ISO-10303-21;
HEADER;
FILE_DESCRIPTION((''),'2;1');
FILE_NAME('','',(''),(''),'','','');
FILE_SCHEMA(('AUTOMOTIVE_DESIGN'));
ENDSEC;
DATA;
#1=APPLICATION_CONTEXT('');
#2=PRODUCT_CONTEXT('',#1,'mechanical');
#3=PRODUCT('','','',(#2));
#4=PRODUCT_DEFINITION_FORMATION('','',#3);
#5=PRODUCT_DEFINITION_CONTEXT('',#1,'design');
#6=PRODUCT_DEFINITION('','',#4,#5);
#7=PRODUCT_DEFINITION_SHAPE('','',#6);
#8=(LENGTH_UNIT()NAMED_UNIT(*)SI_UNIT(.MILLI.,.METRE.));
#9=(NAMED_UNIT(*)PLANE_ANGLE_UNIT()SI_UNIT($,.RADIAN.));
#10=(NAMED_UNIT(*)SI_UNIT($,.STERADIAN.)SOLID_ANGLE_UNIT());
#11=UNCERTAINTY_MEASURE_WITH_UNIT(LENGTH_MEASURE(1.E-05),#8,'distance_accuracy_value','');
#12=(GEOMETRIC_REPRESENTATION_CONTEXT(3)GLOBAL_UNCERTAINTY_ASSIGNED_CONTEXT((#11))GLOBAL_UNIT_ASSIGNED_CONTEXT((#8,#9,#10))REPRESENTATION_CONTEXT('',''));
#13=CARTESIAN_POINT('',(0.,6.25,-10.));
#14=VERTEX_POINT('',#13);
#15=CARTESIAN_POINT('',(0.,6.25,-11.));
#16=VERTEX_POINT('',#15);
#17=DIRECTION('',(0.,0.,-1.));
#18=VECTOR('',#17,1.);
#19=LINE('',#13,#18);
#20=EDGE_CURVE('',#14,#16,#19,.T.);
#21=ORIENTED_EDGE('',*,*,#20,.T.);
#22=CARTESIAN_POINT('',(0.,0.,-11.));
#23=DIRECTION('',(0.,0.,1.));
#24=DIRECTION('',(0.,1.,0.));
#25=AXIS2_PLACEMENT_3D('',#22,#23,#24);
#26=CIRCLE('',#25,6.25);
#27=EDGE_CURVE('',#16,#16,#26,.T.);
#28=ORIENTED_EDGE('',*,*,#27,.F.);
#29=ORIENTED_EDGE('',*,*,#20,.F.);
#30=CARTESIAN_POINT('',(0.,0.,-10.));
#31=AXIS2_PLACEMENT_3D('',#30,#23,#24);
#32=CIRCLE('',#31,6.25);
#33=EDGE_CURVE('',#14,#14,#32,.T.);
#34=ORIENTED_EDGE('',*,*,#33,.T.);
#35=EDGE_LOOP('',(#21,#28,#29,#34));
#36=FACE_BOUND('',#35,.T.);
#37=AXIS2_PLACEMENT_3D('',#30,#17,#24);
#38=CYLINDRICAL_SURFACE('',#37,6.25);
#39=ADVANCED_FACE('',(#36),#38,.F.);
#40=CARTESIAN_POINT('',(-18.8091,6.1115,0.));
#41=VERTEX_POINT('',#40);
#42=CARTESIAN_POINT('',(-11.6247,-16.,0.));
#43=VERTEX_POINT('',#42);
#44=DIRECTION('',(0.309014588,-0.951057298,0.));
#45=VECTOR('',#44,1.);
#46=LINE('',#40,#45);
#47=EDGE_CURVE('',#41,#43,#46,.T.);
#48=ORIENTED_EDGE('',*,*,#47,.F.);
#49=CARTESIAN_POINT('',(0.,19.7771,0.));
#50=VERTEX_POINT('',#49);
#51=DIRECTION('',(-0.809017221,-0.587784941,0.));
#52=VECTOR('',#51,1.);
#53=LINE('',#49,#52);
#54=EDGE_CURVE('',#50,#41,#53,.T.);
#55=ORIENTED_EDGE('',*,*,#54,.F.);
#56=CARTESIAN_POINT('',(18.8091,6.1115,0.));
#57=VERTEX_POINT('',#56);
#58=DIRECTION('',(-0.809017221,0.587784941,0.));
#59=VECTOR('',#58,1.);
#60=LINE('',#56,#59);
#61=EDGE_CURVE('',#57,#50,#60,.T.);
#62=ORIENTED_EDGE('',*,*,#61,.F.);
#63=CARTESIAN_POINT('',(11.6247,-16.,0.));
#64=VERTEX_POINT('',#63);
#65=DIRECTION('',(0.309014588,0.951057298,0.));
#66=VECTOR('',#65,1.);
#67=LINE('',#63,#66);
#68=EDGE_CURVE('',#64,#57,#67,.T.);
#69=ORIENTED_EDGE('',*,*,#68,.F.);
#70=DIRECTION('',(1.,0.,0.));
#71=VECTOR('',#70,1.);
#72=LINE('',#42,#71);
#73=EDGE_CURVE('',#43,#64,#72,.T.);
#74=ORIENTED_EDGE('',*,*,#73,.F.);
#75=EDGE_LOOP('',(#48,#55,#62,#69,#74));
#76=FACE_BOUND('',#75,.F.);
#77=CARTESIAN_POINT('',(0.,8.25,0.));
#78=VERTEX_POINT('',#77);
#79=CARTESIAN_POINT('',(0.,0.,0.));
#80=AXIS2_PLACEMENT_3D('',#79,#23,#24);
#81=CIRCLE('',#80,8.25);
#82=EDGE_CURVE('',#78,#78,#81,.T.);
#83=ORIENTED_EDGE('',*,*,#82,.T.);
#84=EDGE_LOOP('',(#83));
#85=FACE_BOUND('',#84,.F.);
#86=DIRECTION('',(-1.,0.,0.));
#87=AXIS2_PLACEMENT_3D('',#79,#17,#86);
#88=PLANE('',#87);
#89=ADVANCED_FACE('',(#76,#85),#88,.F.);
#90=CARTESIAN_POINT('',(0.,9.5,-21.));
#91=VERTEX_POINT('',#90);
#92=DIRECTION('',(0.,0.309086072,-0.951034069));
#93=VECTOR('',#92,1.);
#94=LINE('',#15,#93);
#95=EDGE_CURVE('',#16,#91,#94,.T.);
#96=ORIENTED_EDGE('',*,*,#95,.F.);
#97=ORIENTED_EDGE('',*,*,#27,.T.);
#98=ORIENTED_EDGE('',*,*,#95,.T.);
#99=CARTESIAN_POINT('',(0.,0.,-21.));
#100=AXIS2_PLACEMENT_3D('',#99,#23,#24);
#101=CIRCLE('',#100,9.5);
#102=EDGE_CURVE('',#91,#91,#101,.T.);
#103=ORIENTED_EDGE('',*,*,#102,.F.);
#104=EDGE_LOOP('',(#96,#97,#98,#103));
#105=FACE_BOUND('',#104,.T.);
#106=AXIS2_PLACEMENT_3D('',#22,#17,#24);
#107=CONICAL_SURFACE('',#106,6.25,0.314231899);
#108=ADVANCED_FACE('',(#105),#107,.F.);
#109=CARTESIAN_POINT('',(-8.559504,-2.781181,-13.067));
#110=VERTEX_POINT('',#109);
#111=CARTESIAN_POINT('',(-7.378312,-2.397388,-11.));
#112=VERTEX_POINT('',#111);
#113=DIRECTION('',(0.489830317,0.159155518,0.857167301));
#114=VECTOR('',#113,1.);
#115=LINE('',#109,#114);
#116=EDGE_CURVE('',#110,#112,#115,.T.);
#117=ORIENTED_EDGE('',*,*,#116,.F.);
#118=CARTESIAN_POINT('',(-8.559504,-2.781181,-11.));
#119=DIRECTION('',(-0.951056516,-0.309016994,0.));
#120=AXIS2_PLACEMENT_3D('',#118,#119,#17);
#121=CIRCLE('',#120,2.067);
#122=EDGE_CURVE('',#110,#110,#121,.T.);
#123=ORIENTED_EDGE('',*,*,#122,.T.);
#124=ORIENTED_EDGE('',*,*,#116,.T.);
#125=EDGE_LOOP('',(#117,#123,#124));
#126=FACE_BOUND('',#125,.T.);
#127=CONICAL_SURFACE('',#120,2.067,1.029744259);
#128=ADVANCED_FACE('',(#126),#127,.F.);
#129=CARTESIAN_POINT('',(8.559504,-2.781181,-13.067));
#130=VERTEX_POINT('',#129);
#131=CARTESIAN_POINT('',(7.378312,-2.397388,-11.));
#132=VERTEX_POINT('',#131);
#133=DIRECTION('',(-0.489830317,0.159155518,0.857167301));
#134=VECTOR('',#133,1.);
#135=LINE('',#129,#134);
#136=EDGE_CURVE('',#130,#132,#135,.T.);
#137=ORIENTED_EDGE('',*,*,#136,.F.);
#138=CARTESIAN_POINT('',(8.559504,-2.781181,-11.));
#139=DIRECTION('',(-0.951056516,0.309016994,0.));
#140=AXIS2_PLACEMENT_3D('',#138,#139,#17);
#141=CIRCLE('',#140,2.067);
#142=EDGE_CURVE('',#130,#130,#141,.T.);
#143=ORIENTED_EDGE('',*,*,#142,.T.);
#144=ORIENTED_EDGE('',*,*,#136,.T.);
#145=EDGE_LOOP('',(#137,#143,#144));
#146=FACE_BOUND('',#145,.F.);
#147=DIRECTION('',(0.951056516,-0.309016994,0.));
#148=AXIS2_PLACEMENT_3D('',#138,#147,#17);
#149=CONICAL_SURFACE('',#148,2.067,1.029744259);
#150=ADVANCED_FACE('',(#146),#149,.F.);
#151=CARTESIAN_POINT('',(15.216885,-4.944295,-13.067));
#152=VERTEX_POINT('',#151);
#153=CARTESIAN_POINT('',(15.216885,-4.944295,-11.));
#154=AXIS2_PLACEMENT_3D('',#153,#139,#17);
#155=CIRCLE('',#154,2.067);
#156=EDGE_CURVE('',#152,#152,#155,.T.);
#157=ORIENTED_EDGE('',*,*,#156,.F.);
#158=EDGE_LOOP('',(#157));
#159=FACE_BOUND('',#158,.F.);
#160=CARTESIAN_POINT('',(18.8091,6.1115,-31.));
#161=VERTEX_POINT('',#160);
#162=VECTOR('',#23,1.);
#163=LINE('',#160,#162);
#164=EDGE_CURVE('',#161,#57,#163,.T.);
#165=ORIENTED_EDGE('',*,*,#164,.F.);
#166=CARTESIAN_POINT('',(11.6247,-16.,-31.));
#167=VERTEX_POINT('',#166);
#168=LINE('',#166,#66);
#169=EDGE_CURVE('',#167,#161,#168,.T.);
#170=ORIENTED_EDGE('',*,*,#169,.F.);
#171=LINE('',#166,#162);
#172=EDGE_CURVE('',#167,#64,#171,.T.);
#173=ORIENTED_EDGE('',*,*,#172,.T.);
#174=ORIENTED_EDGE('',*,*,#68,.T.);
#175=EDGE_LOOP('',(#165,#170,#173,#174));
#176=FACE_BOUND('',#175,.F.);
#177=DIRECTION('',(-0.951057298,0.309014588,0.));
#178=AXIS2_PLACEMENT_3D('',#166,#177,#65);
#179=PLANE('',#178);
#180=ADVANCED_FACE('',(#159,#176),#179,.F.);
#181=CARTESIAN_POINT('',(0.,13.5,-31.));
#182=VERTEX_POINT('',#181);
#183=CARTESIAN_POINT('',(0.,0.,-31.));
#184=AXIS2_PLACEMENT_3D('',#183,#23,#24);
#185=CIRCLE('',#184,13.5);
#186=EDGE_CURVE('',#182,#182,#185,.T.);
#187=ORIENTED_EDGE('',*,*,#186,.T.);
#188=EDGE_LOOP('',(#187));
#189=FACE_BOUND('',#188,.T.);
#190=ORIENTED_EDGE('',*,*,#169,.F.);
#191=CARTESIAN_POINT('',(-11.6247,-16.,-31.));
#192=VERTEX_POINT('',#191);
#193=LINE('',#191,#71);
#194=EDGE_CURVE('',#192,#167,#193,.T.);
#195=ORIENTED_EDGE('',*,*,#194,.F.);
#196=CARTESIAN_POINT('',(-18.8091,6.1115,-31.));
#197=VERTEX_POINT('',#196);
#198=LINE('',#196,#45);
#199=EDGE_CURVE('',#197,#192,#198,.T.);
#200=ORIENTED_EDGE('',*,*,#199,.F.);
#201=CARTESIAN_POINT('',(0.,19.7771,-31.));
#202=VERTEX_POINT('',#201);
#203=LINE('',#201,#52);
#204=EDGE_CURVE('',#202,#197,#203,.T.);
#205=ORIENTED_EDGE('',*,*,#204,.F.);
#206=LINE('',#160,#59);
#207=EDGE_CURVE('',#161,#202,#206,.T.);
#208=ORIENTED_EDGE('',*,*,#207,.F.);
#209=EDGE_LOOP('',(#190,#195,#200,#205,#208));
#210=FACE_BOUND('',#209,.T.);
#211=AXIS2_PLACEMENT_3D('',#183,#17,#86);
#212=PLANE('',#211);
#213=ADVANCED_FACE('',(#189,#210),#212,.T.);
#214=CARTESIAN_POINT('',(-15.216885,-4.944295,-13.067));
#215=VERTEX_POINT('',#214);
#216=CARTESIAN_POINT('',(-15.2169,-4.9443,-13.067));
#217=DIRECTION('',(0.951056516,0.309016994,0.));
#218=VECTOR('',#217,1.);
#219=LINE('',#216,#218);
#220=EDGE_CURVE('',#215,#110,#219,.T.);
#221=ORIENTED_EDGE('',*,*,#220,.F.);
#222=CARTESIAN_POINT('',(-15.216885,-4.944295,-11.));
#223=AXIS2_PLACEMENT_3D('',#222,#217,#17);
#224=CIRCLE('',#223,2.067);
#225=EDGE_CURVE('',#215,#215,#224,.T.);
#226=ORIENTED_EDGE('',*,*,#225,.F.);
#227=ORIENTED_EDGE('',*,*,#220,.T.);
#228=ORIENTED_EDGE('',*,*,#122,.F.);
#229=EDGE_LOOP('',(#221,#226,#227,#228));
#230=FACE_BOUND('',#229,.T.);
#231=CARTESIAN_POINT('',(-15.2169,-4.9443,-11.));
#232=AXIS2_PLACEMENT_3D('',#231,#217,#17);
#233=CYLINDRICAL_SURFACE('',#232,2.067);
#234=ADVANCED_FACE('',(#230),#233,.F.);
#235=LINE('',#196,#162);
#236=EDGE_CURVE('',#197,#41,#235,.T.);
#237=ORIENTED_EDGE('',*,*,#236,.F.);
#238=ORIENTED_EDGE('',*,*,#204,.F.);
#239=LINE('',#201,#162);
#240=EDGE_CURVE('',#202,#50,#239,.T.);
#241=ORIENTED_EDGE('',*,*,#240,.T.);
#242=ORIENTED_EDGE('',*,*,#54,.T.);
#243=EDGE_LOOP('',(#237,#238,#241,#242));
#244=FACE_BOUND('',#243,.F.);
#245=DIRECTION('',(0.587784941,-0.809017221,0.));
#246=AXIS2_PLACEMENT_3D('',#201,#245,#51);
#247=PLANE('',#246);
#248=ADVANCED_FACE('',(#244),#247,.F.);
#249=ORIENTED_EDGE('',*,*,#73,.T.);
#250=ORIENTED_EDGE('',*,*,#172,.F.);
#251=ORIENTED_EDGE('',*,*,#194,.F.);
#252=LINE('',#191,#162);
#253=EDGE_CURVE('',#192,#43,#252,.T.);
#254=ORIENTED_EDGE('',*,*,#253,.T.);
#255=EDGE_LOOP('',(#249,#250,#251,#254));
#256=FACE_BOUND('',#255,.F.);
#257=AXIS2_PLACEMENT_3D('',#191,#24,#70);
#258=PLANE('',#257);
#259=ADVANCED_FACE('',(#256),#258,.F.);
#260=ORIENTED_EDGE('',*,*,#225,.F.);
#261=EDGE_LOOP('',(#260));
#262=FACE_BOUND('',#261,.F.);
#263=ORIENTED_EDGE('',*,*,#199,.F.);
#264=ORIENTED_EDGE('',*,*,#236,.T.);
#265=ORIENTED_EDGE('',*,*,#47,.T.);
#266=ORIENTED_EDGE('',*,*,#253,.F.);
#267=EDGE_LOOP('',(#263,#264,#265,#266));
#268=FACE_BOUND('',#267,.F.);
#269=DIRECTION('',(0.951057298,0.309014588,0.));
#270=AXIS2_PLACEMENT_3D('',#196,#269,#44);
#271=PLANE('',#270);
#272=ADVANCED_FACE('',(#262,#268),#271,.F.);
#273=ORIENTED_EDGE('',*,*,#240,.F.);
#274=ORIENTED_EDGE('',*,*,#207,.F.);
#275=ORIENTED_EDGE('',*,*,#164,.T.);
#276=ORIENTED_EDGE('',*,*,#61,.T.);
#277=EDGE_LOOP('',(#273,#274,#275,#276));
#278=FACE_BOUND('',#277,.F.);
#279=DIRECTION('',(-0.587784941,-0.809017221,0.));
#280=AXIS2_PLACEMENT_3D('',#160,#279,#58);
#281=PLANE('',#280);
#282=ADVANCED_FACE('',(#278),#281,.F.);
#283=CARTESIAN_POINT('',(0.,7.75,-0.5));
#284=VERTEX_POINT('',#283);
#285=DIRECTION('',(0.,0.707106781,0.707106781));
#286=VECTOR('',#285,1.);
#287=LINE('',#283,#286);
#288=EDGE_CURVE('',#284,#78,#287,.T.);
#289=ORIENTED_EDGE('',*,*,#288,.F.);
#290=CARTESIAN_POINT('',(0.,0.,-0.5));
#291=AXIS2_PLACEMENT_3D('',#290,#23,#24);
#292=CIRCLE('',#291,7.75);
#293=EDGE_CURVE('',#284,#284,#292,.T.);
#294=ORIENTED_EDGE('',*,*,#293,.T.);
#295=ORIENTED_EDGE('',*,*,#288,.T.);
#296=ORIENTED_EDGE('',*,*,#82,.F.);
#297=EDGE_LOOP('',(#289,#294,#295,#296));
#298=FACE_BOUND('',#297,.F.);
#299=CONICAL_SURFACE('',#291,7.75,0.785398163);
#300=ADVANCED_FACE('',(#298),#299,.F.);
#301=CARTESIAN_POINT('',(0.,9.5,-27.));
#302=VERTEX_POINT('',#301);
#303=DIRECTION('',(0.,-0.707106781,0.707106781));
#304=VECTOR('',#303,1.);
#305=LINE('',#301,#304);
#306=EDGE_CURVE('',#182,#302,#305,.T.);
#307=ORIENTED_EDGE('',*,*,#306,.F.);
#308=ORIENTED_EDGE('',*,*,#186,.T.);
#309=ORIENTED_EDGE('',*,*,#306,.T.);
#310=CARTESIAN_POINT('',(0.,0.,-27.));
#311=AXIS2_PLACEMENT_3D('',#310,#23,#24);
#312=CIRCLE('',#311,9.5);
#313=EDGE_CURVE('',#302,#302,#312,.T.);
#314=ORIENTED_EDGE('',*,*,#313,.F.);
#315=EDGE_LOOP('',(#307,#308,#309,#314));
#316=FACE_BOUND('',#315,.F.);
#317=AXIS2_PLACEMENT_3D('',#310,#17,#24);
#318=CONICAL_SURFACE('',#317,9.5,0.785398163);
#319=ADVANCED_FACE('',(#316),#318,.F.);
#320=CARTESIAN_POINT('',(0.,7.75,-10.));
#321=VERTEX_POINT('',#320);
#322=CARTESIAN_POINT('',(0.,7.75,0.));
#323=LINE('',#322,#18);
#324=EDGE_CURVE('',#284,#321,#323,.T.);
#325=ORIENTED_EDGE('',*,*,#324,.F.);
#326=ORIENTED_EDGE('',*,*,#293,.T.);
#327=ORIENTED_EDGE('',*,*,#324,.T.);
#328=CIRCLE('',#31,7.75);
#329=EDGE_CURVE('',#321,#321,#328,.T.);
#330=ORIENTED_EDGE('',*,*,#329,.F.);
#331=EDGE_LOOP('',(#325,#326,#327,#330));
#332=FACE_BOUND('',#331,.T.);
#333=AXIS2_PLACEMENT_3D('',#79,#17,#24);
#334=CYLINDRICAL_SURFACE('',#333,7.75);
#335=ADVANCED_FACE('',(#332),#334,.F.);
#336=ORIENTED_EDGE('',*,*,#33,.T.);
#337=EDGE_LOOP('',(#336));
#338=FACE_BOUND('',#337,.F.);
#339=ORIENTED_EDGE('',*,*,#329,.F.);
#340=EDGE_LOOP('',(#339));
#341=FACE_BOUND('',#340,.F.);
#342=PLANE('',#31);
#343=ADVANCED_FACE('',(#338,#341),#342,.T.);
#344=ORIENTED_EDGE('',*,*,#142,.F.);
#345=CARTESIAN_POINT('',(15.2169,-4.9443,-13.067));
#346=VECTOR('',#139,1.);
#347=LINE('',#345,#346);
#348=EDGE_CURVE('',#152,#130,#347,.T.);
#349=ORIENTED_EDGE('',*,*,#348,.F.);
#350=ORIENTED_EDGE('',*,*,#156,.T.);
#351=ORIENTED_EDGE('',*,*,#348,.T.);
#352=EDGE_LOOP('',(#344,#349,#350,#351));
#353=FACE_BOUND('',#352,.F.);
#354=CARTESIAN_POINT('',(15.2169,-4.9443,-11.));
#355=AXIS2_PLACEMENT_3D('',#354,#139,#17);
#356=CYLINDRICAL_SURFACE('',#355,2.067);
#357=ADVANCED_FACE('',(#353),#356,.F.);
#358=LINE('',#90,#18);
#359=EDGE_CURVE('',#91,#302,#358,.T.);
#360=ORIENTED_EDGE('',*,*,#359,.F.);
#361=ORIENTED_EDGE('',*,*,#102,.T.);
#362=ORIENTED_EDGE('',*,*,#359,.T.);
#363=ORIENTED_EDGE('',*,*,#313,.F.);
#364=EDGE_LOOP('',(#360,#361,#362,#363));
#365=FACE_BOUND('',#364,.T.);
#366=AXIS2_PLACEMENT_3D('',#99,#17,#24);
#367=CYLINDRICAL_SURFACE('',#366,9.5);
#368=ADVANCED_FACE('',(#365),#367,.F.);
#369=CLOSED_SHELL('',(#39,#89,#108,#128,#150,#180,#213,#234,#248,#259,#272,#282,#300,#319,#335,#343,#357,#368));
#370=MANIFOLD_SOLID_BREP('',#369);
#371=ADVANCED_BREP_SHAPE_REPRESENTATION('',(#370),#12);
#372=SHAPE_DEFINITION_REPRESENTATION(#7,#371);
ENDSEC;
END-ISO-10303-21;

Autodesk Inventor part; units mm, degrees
ref_plane "YZ Plane" through (0, 0, 0) normal (1, 0, 0) x (0, 1, 0)
ref_plane "XZ Plane" through (0, 0, 0) normal (0, 1, 0) x (-1, 0, 0)
ref_plane "XY Plane" through (0, 0, 0) normal (0, 0, 1) x (1, 0, 0)
sketch "Esquisse2" plane through (0, 0, 0) normal (1, 0, 0) x (0, 1, 0)
  line L0 (6.25, -10) -> (6.25, -11)
  line L1 (6.25, -11) -> (9.5, -21)
  line L2 (9.5, -21) -> (9.5, -31)
  line L3 (0, -252.0623) -> (0, 0)
  line L4 (9.5, -31) -> (12.5, -31)
  line L5 (12.5, -31) -> (12.5, 0)
  line L6 (6.25, -10) -> (7.75, -10)
  line L7 (12.5, 0) -> (7.75, 0)
  line L8 (7.75, 0) -> (7.75, -10)
  dimension "d1" = 10
  dimension "d4" = 12.5
  dimension "d6" = 3
  dimension "d8" = 1.5
  dimension "d11" = 19
  dimension "d12" = 20
  dimension "d15" = 25
  dimension "d16" = 1
  dimension "d17" = 10
  dimension "d22" = 15.5
revolve "Révolution1" add sketch "Esquisse2" angle 360 about axis through (0, 0, -252.0623) along (0, 0, 1)
thread "Filetage3" size "M16x1.5" class "6H" standard "ISO Metric profile" full length
chamfer "Chanfrein1" distance 0.5 angle 45 1 edges at (0, -7.75, 0)
sketch "Esquisse7" plane through (0, 0, -31) normal (0, 0, -1) x (-1, 0, 0)
  line L0 (-11.6247, -16) -> (-18.8091, 6.1115)
  line L1 (-18.8091, 6.1115) -> (0, 19.7771)
  line L2 (0, 19.7771) -> (18.8091, 6.1115)
  line L3 (18.8091, 6.1115) -> (11.6247, -16)
  line L4 (11.6247, -16) -> (-11.6247, -16)
  circle A0 centre (0, 0) radius 12.5 projected
  circle A1 centre (0, 0) radius 9.5 projected
  dimension "d44" = 16
extrude "Extrusion5" add sketch "Esquisse7" against normal up to surface (31 mm away) contours L0 L1 L2 L3 L4
sketch "Esquisse8" plane through (11.6247, -16, 0) normal (0.9511, -0.309, 0) x (0, 0, -1)
  line L0 (21, 2.1247) -> (21, 21.1247) projected
  line L1 (11, 5.3747) -> (11, 17.8747) projected
  line L2 (10, 5.3747) -> (10, 17.8747) projected
  point P0 (0, 11.6247)
  point P1 (11, 11.6247)
  point P2 (11, 11.6247)
hole "Perçage2" at (15.2169, -4.9443, -11) direction (-0.9511, 0.309, 0) diameter 4.134 depth 7 tip angle 118 thread size "M5x0.8" class "6H" standard "ISO Metric profile"
mirror "Symétrie1" about plane through (0, 0, 0) normal (1, 0, 0) of "Perçage2"
chamfer "Chanfrein2" distance 4 angle 45 1 edges at (0, -9.5, -31)
properties part number "ammo_blocker"
